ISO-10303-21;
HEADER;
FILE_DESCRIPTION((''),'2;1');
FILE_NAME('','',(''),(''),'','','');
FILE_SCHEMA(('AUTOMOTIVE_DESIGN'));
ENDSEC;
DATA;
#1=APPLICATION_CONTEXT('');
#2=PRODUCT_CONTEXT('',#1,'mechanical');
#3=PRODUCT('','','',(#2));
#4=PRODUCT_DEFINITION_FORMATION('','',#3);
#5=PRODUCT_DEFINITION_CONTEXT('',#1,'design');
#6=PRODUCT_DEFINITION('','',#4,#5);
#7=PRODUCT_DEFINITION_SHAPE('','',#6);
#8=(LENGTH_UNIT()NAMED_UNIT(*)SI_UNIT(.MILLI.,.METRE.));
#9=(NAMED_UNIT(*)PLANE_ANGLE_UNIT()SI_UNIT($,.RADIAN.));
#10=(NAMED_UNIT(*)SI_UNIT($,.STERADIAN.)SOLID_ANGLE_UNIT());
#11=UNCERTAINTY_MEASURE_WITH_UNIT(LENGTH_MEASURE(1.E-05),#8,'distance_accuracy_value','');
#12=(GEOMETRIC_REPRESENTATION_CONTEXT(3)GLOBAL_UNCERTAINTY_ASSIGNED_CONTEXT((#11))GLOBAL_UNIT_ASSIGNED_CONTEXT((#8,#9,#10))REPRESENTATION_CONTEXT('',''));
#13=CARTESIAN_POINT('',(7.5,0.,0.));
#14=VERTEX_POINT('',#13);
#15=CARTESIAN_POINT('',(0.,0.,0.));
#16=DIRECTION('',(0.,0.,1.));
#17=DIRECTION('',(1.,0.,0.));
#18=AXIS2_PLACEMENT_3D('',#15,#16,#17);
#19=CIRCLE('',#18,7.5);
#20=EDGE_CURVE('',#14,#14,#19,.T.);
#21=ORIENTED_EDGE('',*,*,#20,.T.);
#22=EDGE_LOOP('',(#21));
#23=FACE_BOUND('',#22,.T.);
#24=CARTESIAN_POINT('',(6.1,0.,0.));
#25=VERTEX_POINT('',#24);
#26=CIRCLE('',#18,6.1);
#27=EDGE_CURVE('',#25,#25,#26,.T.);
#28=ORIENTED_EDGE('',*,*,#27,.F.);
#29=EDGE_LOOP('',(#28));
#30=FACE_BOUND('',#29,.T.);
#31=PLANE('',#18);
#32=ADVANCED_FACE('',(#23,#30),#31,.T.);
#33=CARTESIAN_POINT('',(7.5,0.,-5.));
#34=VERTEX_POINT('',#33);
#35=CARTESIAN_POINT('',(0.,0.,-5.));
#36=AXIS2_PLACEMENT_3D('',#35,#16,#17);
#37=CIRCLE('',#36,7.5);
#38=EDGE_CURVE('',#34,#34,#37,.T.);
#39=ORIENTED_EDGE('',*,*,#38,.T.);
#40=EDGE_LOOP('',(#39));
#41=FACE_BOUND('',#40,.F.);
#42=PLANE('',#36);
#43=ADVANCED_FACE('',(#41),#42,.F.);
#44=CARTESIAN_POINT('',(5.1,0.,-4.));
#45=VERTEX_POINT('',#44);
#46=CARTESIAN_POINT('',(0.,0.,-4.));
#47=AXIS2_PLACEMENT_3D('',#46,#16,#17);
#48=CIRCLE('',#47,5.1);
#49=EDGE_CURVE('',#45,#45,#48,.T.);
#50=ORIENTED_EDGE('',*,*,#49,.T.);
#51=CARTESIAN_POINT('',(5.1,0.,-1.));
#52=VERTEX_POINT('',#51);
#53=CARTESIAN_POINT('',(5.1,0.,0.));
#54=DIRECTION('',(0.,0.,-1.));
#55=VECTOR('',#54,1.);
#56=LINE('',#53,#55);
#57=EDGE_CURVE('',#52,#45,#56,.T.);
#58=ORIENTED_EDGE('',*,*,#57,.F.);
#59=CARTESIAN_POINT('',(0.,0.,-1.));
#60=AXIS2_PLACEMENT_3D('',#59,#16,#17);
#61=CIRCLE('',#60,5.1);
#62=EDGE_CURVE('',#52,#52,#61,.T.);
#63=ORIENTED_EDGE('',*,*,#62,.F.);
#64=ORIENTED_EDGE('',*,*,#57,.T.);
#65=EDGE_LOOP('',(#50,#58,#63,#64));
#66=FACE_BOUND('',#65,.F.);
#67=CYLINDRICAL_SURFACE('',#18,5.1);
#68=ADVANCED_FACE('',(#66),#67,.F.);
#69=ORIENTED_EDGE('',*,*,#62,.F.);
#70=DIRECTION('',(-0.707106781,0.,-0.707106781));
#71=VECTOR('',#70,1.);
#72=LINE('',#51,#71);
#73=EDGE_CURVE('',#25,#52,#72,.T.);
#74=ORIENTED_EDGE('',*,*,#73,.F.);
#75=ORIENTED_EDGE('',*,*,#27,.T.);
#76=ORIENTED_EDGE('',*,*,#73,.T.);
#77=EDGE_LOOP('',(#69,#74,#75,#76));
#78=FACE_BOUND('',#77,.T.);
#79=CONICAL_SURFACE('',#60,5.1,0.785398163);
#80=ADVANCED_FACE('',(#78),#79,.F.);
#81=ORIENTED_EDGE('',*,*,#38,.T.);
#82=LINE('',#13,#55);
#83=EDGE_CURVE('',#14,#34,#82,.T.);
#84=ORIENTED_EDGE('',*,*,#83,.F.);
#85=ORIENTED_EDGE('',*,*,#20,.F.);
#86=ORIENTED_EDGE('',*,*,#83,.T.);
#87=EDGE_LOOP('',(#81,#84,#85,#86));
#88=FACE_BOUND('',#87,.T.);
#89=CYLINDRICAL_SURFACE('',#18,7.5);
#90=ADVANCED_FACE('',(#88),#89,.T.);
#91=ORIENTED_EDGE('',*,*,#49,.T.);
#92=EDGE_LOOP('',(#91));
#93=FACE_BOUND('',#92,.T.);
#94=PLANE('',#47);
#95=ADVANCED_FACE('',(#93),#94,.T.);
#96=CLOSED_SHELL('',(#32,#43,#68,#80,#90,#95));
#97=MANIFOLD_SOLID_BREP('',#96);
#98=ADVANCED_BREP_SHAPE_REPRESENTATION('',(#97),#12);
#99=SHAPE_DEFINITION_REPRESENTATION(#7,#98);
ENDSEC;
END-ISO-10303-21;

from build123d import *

# Parameters (mm, degrees)
SKETCH_R     = 7.5
PAD_DEPTH    = 5
SKETCH001_R  = 5.1
POCKET_DEPTH = 4
CHAMFER_SIZE = 1


with BuildPart() as part:
    # Sketch → Pad (new body)
    with BuildSketch(Plane.XY):
        Circle(SKETCH_R)
    extrude(amount=-PAD_DEPTH)

    # Sketch001 → Pocket (cut)
    with BuildSketch(Plane.XY):
        Circle(SKETCH001_R)
    extrude(amount=-POCKET_DEPTH, mode=Mode.SUBTRACT)

    # Chamfer
    chamfer_edges = [part.edges().sort_by_distance(p)[0] for p in [
        (-5.1, 0, 0),
    ]]
    chamfer(chamfer_edges, length=CHAMFER_SIZE)


solid = part.part
